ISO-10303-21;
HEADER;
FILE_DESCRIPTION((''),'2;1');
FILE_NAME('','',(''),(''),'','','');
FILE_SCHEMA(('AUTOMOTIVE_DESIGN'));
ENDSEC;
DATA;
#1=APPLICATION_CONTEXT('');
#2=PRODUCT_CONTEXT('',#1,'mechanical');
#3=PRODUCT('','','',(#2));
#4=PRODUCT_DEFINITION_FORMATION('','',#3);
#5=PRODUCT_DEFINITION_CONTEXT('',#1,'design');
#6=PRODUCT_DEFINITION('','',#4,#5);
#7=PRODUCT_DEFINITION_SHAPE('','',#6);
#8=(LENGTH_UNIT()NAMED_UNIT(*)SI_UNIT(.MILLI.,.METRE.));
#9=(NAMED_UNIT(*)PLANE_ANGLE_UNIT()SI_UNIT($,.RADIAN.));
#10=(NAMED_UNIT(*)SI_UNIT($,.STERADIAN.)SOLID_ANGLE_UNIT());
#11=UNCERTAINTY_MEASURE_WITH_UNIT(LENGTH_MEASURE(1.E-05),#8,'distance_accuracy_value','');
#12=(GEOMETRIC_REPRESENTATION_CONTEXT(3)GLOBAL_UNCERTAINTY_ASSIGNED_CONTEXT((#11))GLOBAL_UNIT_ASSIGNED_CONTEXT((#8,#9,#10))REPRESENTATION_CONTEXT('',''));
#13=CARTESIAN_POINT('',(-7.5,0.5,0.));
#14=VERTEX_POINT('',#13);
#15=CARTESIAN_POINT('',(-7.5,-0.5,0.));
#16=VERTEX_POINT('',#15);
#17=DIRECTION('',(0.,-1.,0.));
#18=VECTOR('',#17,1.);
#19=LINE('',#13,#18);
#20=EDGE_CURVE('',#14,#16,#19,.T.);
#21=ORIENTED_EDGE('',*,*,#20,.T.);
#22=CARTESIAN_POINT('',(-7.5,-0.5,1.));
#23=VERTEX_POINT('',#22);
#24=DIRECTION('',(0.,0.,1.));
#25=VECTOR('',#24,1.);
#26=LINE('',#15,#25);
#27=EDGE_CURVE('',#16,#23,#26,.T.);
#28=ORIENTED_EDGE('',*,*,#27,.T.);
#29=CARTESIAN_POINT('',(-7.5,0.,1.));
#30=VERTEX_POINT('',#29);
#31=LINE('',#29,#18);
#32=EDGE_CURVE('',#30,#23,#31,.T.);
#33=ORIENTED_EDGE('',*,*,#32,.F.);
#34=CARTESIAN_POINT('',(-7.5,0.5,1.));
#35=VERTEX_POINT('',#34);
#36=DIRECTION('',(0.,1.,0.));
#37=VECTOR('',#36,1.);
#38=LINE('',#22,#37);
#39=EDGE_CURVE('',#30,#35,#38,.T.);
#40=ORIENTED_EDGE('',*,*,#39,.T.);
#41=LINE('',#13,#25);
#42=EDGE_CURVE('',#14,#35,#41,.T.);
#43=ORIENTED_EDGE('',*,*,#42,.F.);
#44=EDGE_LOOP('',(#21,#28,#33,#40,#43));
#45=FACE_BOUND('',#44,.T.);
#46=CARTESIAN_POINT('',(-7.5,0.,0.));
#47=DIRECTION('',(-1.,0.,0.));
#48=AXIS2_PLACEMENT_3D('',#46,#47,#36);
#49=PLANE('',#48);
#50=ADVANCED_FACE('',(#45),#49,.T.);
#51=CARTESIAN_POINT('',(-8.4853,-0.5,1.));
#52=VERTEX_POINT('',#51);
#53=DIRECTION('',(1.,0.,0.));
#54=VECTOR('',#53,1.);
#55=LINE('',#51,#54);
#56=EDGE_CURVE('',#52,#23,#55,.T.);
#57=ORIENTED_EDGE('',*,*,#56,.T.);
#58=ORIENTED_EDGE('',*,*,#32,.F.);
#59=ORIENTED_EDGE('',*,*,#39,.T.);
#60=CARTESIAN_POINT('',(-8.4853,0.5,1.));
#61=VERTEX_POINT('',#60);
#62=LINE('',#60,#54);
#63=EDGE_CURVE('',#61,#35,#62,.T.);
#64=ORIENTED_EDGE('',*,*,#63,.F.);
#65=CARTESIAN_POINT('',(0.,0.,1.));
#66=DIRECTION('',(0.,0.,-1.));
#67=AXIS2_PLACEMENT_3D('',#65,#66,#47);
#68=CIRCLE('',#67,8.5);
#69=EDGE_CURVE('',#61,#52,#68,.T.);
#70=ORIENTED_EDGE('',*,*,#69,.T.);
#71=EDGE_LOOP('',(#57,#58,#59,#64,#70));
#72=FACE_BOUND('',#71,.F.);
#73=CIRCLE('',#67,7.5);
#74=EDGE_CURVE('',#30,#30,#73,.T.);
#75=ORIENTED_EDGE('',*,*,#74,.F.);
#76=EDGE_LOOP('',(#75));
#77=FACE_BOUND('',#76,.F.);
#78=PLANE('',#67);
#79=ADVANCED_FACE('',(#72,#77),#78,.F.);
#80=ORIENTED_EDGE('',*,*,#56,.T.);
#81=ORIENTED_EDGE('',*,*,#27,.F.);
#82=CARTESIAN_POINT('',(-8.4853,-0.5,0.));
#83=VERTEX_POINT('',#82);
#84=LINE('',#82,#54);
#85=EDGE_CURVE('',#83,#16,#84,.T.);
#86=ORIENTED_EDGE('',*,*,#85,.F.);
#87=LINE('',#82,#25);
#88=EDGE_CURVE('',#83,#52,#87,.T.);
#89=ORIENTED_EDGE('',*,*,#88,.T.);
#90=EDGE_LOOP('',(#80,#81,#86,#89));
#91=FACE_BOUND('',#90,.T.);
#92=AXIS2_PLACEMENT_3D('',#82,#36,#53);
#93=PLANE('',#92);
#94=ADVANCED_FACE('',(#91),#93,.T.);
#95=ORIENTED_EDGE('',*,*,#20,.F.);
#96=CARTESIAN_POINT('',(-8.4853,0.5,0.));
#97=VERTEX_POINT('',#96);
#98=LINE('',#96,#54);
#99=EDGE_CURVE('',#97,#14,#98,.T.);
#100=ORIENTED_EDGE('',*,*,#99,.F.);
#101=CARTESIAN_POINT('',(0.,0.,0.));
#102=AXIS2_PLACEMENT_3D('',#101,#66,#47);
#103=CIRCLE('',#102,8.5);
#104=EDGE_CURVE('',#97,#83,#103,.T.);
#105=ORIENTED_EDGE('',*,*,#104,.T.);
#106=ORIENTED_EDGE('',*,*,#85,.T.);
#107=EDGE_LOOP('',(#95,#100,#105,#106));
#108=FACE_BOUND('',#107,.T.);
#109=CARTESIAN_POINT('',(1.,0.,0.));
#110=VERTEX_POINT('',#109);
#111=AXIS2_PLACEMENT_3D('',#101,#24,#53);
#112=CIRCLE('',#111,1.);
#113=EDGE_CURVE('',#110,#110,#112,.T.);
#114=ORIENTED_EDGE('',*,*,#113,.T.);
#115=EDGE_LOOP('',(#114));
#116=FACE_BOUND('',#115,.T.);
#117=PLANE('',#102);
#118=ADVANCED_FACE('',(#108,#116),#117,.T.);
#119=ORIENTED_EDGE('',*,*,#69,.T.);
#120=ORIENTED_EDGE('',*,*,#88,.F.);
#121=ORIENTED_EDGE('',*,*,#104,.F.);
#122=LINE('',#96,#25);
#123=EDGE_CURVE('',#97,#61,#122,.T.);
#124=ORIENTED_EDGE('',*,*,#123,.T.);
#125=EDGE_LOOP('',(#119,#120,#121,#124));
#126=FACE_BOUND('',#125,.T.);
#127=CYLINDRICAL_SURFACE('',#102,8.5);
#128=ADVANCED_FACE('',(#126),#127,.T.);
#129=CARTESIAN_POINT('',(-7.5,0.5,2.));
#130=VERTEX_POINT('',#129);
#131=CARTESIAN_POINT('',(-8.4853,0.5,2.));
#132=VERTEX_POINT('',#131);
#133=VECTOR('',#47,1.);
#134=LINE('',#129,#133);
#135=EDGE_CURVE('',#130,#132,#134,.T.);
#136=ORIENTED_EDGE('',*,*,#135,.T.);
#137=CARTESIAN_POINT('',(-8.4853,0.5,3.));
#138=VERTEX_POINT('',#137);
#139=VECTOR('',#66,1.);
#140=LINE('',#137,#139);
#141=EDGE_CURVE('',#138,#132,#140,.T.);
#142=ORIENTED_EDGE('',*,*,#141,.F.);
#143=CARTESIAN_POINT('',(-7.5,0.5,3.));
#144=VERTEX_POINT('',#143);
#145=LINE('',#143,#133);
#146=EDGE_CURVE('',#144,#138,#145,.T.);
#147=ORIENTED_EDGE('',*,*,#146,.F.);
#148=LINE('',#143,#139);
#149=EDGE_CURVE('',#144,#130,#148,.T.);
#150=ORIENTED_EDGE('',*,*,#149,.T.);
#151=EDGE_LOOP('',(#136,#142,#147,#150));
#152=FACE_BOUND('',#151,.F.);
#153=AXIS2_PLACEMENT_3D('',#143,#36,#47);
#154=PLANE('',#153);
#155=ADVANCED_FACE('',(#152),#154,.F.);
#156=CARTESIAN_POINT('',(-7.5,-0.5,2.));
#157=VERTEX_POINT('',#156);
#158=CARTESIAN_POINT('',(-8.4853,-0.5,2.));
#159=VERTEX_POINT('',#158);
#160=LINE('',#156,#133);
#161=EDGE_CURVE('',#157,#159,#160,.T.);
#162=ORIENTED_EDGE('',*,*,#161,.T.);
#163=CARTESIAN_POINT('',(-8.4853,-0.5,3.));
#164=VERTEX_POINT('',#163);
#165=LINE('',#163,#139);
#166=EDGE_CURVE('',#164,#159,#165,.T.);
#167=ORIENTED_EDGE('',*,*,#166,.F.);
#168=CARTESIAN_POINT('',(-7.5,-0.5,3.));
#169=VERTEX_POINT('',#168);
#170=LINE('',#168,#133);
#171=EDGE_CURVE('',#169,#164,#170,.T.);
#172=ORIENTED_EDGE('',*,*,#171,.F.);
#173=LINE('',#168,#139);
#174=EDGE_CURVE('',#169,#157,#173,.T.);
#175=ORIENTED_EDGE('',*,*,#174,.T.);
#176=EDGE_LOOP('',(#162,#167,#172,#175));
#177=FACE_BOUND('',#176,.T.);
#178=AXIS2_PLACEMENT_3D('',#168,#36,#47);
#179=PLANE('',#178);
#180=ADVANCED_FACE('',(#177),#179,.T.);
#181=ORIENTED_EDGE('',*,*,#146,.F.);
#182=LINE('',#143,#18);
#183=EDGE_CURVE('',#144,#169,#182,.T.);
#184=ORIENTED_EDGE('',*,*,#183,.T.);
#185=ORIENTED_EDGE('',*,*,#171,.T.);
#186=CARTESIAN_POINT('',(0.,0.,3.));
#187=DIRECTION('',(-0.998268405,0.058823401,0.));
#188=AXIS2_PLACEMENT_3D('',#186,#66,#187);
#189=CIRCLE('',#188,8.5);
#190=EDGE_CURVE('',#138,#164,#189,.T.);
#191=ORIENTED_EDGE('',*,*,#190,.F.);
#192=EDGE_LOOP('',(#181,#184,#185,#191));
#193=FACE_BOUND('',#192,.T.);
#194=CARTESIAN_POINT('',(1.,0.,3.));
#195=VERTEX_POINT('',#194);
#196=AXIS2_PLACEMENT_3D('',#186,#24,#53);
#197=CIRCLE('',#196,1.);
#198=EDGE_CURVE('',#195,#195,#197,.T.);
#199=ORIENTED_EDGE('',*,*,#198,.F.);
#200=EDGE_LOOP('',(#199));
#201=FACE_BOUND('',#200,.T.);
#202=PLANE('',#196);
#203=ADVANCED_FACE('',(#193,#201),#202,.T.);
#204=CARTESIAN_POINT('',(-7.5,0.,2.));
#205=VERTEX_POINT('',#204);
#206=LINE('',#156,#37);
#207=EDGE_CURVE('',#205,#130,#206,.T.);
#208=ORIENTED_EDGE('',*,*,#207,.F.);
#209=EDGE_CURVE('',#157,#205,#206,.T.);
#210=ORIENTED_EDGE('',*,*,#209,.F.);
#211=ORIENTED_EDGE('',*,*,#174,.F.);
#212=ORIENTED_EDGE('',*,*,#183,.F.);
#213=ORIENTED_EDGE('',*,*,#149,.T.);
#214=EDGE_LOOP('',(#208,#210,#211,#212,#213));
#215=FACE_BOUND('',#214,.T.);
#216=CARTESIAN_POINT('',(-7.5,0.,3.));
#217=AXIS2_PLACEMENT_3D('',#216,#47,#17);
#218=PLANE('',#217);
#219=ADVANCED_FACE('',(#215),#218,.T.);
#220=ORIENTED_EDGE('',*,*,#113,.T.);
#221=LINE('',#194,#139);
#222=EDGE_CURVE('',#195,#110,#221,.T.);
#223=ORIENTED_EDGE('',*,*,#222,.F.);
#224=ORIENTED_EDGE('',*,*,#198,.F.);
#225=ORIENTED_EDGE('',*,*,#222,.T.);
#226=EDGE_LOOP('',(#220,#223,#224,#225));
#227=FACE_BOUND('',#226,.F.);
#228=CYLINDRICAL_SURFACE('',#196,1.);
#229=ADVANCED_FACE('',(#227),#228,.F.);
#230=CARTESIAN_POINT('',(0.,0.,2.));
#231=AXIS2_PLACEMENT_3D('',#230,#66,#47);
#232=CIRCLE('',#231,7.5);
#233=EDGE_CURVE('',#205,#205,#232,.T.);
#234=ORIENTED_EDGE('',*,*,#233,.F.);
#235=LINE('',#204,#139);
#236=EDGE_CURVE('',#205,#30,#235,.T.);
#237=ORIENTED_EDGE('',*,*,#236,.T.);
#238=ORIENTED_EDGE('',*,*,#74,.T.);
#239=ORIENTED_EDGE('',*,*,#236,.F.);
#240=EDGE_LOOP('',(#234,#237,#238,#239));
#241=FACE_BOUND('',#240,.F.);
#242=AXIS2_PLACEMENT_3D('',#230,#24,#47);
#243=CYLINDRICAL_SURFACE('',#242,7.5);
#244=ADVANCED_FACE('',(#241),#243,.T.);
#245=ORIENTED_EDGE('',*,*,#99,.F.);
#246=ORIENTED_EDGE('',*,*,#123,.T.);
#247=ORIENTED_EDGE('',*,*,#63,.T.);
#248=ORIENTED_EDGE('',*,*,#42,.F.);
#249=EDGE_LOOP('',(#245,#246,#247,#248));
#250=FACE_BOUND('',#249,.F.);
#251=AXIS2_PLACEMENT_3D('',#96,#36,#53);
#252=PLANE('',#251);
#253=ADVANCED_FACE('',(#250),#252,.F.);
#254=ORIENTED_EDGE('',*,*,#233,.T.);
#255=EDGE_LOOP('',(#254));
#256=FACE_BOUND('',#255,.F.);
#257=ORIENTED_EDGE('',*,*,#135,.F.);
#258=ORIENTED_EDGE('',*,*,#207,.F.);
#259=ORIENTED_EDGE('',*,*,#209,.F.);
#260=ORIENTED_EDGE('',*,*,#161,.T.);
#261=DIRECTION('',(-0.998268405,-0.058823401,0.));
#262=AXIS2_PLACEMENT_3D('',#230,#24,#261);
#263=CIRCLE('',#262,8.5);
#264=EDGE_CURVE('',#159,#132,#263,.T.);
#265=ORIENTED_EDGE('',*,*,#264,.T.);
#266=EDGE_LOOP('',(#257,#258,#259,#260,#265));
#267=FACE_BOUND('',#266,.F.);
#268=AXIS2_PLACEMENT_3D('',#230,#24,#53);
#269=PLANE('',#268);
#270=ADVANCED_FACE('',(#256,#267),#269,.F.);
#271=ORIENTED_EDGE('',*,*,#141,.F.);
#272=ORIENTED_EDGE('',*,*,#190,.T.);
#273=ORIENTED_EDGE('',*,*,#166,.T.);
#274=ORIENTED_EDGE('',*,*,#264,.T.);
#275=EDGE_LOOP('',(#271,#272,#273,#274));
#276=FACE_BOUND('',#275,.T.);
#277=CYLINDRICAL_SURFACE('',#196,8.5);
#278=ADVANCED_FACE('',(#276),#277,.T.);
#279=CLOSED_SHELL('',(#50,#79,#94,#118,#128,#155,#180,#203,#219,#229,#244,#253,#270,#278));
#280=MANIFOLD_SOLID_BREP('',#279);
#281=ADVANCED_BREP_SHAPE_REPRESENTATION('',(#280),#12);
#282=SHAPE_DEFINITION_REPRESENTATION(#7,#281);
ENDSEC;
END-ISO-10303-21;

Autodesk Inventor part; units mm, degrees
ref_plane "YZ Plane" through (0, 0, 0) normal (1, 0, 0) x (0, 1, 0)
ref_plane "XZ Plane" through (0, 0, 0) normal (0, 1, 0) x (-1, 0, 0)
ref_plane "XY Plane" through (0, 0, 0) normal (0, 0, 1) x (1, 0, 0)
sketch "Esboço1" plane through (0, 0, 0) normal (0, 0, 1) x (1, 0, 0)
  circle A0 centre (0, 0) radius 5
  dimension "d0" = 10
extrude "Extrusão1" add sketch "Esboço1" along normal blind 1
sketch "Esboço2" plane through (0, 0, 1) normal (0, 0, 1) x (1, 0, 0)
  circle A0 centre (0, 0) radius 4
  dimension "d3" = 8
extrude "Extrusão2" add sketch "Esboço2" along normal blind 1
sketch "Esboço3" plane through (0, 0, 2) normal (0, 0, 1) x (1, 0, 0)
  circle A0 centre (0, 0) radius 5
  dimension "d6" = 10
extrude "Extrusão3" add sketch "Esboço3" along normal blind 1
sketch "Esboço4" plane through (0, 0, 3) normal (0, 0, 1) x (1, 0, 0)
  circle A0 centre (0, 0) radius 4 projected
  circle A1 centre (0, 0) radius 1
  dimension "d9" = 2
extrude "Extrusão4" cut sketch "Esboço4" against normal blind 4 contours A1
thread "Rosca1" size "M2x0.4" class "6H" standard "ANSI Metric M Profile" full length
sketch "Esboço5" plane through (0, 0, 3) normal (0, 0, 1) x (1, 0, 0)
  circle A0 centre (0, 0) radius 5 projected
  line L0 (-4, 0) -> (-4, -0.5)
  circle A1 centre (0, 0) radius 4 projected
  line L1 (-4, 0) -> (-3.5, 0) construction
  line L2 (-4, -0.5) -> (-5, -0.5)
  line L3 (-5, -0.5) -> (-5, 0.5)
  line L4 (-5, -0.5) -> (-4, -0.5) construction
  line L5 (-5, 0.5) -> (-4, 0.5)
  line L6 (-4, 0.5) -> (-4, 0)
  line L7 (-4, -0.5) -> (-5, -0.5)
  dimension "d15" = 0.5
  dimension "d16" = 90
  dimension "d17" = 1
  dimension "d18" = 90
extrude "Extrusão5" cut sketch "Esboço5" against normal blind 10 contours L5 L6 L0 L2 A0 | A0 L3 L5 | L2 L3 A0 picked at (-4.3296, -0.2779)
sketch "Esboço7" plane through (0, 0, 3) normal (0, 0, 1) x (1, 0, 0)
  circle A0 centre (0, 0) radius 1 projected
  circle A1 centre (0, 0) radius 1
  circle A2 centre (0, 0) radius 8.5
  line L0 (-8.5, 0) -> (-7.5, 0)
  line L1 (-7.5, 0) -> (-7.5, -0.5)
  line L2 (-7.5, -0.5) -> (-8.4853, -0.5)
  line L3 (-7.5, 0) -> (-7.5, 0.5)
  line L4 (-7.5, 0.5) -> (-8.4853, 0.5)
  dimension "d21" = 17
  dimension "d22" = 1
  dimension "d23" = 0.5
  dimension "d24" = 0.5
extrude "Extrusão6" add sketch "Esboço7" against normal blind 1 contours A2 L2 L1 L3 L4
sketch "Esboço8" plane through (0, 0, 2) normal (0, 0, -1) x (-1, 0, 0)
  circle A0 centre (0, 0) radius 1
  circle A1 centre (0, 0) radius 1 projected
  circle A2 centre (0, 0) radius 7.5
  dimension "d27" = 15
extrude "Extrusão7" add sketch "Esboço8" along normal blind 1
sketch "Esboço9" plane through (0, 0, 0) normal (0, 0, -1) x (-1, 0, 0)
  circle A0 centre (0, 0) radius 1
  circle A1 centre (0, 0) radius 8.5
  line L0 (8.4853, -0.5) -> (7.5, -0.5) projected
  line L1 (7.5, 0) -> (7.5, -0.5)
  line L2 (7.5, -0.5) -> (8.4853, -0.5)
  line L3 (8.4853, -0.5) -> (8.4853, 0.5)
  line L4 (8.4853, 0.5) -> (7.5, 0.5) projected
  line L5 (7.5, 0.5) -> (8.4853, 0.5)
  line L6 (7.5, -0.5) -> (7.5, 0.5)
extrude "Extrusão8" add sketch "Esboço9" against normal blind 1 contours L4 L6 L1 L0 A1
properties part number "Polia2"
